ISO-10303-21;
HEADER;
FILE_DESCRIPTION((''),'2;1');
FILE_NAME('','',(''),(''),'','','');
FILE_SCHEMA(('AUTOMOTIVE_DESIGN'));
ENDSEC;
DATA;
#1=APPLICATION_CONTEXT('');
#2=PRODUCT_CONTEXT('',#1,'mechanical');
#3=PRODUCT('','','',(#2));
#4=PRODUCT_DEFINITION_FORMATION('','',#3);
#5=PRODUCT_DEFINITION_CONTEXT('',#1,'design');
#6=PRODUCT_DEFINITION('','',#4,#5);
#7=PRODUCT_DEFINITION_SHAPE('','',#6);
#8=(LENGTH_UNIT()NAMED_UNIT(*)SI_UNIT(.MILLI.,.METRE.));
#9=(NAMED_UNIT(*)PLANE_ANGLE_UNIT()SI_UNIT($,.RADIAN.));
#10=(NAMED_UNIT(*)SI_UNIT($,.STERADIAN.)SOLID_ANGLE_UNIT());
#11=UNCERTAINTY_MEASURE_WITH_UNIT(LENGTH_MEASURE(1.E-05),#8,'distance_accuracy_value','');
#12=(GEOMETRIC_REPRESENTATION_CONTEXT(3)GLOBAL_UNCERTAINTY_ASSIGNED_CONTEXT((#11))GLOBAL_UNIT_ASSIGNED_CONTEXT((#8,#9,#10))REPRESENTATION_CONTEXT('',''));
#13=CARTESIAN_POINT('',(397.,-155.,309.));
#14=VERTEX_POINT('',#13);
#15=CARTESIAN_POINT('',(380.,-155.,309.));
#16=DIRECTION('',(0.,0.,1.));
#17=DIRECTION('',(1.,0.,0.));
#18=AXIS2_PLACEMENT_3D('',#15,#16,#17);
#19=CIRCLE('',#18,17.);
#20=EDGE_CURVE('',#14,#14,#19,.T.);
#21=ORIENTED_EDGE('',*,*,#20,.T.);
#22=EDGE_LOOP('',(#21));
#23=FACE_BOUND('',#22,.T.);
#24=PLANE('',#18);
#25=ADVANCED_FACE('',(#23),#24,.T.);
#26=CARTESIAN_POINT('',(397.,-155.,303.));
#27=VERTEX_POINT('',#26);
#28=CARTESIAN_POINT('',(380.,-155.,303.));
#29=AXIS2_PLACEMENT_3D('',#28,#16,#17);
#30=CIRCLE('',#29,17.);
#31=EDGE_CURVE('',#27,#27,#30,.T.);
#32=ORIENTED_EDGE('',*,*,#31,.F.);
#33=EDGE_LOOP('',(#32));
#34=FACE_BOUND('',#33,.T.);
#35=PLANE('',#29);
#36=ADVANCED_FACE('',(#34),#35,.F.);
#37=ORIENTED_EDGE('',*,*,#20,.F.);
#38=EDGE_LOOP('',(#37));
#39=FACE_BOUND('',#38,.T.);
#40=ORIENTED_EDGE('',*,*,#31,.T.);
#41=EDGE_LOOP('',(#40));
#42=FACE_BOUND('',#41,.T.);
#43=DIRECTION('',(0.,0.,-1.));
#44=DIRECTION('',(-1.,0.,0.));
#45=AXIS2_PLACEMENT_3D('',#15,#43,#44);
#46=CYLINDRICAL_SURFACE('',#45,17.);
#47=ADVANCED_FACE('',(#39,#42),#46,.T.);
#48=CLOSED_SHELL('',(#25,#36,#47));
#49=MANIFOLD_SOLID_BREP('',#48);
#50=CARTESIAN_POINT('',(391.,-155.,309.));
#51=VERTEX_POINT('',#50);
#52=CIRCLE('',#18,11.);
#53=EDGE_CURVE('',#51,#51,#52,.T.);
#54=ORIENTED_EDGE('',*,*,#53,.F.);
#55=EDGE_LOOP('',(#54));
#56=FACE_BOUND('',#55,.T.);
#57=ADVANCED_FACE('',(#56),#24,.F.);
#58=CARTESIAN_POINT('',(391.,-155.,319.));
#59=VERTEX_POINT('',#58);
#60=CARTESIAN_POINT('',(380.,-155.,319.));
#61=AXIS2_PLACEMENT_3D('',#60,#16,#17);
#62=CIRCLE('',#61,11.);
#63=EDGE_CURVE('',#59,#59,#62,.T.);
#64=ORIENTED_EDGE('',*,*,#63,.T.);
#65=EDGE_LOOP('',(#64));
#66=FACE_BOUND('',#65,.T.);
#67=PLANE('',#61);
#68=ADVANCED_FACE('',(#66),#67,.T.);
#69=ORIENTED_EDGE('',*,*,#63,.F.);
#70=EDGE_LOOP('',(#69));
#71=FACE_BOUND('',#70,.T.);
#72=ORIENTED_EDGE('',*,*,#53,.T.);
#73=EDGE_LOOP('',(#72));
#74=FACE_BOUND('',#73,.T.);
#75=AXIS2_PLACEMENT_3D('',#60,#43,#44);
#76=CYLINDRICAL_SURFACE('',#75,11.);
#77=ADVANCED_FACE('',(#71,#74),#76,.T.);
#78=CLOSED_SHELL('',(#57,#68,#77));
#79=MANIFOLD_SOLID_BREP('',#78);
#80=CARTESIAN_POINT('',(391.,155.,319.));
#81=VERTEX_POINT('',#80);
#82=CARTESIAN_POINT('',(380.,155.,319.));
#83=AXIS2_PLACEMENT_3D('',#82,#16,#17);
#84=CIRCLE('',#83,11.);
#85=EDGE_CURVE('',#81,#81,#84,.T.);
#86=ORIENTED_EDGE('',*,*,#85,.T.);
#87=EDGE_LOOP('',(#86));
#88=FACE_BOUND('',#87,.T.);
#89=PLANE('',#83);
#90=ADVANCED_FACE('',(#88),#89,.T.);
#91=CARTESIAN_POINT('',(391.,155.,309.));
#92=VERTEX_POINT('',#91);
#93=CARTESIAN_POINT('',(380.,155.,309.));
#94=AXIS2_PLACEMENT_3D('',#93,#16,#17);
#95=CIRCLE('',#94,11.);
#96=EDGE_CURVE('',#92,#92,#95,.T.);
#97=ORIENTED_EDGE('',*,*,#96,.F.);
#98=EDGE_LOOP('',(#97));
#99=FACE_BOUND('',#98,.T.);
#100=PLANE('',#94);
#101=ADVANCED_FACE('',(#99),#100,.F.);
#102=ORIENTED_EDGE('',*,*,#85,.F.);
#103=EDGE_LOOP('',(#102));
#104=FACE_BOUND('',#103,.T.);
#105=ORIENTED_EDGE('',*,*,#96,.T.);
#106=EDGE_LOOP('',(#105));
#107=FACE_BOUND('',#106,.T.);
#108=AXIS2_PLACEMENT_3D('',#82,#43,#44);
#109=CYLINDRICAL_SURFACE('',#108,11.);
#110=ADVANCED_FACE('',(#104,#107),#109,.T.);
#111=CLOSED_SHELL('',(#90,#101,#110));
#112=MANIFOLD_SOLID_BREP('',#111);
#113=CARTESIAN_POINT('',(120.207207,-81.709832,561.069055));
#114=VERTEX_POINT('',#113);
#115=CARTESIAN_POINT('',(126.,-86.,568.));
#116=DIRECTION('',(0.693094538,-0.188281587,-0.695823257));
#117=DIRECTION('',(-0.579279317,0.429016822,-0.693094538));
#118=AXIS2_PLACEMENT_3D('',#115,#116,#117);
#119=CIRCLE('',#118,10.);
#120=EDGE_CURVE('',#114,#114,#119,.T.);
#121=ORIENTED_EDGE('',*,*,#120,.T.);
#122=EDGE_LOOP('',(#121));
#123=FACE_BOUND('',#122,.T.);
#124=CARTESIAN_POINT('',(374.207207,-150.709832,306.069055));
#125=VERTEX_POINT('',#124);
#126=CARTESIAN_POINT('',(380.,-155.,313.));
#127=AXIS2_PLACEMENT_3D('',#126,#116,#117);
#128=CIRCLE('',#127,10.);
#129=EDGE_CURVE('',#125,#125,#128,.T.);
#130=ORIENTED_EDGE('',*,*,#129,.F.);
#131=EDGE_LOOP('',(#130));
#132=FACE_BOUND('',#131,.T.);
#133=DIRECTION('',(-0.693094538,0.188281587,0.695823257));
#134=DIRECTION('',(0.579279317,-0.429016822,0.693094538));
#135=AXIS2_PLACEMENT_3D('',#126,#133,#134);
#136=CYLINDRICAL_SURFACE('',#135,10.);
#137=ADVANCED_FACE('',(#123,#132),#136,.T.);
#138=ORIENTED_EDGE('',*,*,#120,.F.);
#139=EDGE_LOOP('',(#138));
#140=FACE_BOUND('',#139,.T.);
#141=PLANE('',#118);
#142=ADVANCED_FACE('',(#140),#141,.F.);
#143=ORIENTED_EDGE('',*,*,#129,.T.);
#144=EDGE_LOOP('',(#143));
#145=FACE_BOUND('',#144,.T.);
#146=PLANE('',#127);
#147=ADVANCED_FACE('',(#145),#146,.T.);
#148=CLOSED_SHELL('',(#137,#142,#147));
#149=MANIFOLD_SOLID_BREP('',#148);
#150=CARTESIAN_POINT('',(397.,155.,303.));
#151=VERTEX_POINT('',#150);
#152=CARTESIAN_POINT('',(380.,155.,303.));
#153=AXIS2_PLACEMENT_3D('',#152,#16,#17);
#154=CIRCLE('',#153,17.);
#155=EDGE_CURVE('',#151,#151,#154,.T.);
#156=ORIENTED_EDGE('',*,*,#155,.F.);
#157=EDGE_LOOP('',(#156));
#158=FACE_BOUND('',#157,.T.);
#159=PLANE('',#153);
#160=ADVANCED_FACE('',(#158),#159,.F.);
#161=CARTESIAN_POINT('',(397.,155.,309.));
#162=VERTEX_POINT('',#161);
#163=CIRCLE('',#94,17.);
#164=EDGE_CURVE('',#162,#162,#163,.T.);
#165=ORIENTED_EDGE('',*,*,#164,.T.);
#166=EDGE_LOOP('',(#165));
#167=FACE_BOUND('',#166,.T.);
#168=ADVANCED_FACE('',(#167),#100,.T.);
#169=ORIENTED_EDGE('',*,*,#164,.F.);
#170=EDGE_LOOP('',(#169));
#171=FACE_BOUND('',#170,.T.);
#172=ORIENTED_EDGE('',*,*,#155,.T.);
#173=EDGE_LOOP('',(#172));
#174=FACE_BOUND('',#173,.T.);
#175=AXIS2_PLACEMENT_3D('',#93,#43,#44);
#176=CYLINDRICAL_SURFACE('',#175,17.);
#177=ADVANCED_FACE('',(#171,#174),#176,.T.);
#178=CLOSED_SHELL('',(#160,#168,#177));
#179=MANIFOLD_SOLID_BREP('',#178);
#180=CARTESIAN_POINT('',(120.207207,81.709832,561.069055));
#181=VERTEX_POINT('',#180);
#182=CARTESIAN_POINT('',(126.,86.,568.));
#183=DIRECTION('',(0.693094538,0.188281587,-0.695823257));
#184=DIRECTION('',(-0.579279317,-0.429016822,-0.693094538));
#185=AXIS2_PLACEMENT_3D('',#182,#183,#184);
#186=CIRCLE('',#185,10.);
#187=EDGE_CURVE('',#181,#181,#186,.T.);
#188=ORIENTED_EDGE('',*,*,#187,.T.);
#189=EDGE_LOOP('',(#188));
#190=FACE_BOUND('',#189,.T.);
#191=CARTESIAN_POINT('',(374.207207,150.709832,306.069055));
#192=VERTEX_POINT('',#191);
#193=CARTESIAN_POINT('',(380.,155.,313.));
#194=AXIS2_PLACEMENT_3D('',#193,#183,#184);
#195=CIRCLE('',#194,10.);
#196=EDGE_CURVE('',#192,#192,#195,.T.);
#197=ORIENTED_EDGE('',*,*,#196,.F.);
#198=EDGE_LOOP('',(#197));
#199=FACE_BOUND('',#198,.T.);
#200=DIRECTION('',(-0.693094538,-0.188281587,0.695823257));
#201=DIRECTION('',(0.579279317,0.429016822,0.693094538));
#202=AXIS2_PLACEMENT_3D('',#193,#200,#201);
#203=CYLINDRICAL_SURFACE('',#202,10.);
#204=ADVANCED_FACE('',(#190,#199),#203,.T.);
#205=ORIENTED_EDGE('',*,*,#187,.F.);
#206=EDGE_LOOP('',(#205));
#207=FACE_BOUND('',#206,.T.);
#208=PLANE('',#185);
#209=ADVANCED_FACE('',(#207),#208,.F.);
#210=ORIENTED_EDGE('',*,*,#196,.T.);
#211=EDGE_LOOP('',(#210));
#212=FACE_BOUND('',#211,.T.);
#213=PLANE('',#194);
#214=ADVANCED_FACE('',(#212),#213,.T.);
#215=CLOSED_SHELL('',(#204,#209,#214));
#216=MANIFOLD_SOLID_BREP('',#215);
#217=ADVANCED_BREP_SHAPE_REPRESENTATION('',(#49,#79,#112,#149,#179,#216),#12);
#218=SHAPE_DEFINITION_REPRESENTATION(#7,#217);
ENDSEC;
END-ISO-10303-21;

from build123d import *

# Parameters (mm, degrees)
PIPE_SKETCH_1_R     = 10
PIPE_1_DEPTH        = 366.472372765
PIPE_ROTATE_1_ANGLE = 164.859016165
PIPE_ROTATE_2_ANGLE = 43.875570355
PIPE_ROTATE_3_ANGLE = 143.476188317
EXTRUDE_START       = 303
EXTRUDE_SKETCH_1_R  = 17
EXTRUDE_1_DEPTH     = 6
EXTRUDE_START_2     = 309
EXTRUDE_SKETCH_2_R  = 11
EXTRUDE_2_DEPTH     = 10
PIPE_SKETCH_2_R     = 10
PIPE_2_DEPTH        = 366.472372765
PIPE_ROTATE_4_ANGLE = 164.859016165
PIPE_ROTATE_5_ANGLE = 43.875570355
PIPE_ROTATE_6_ANGLE = 143.476188317
EXTRUDE_SKETCH_3_R  = 17
EXTRUDE_3_DEPTH     = 6
EXTRUDE_SKETCH_4_R  = 11
EXTRUDE_4_DEPTH     = 10


with BuildPart() as part:
    # Pipe sketch 1 → Pipe 1 (new body)
    with BuildSketch(Plane.XY):
        Circle(PIPE_SKETCH_1_R)
    extrude(amount=PIPE_1_DEPTH)


with BuildPart() as part_1:
    # Pipe rotate 1: moved
    add(part.part.rotate(Axis((0, 0, 0), (-1, 0, 0)), PIPE_ROTATE_1_ANGLE))


with BuildPart() as part_2:
    # Pipe rotate 2: moved
    add(part_1.part.rotate(Axis((0, 0, 0), (0, 1, 0)), PIPE_ROTATE_2_ANGLE))


with BuildPart() as part_3:
    # Pipe rotate 3: moved
    add(part_2.part.rotate(Axis((0, 0, 0), (0, 0, -1)), PIPE_ROTATE_3_ANGLE))


with BuildPart() as part_4:
    # Pipe place 1: moved
    add(part_3.part.moved(Location((126, 86, 568))))


with BuildPart() as body_2:
    # Extrude sketch 1 → Extrude 1 (new body)
    with BuildSketch(Plane.XY.offset(EXTRUDE_START)):
        with Locations((380, 155)):
            Circle(EXTRUDE_SKETCH_1_R)
    extrude(amount=EXTRUDE_1_DEPTH)


with BuildPart() as body_3:
    # Extrude sketch 2 → Extrude 2 (new body)
    with BuildSketch(Plane.XY.offset(EXTRUDE_START_2)):
        with Locations((380, 155)):
            Circle(EXTRUDE_SKETCH_2_R)
    extrude(amount=EXTRUDE_2_DEPTH)


with BuildPart() as body_4:
    # Pipe sketch 2 → Pipe 2 (new body)
    with BuildSketch(Plane.XY):
        Circle(PIPE_SKETCH_2_R)
    extrude(amount=PIPE_2_DEPTH)


with BuildPart() as body_4_1:
    # Pipe rotate 4: moved
    add(body_4.part.rotate(Axis((0, 0, 0), (1, 0, 0)), PIPE_ROTATE_4_ANGLE))


with BuildPart() as body_4_2:
    # Pipe rotate 5: moved
    add(body_4_1.part.rotate(Axis((0, 0, 0), (0, 1, 0)), PIPE_ROTATE_5_ANGLE))


with BuildPart() as body_4_3:
    # Pipe rotate 6: moved
    add(body_4_2.part.rotate(Axis((0, 0, 0), (0, 0, 1)), PIPE_ROTATE_6_ANGLE))


with BuildPart() as body_4_4:
    # Pipe place 2: moved
    add(body_4_3.part.moved(Location((126, -86, 568))))


with BuildPart() as body_5:
    # Extrude sketch 3 → Extrude 3 (new body)
    with BuildSketch(Plane.XY.offset(EXTRUDE_START)):
        with Locations((380, -155)):
            Circle(EXTRUDE_SKETCH_3_R)
    extrude(amount=EXTRUDE_3_DEPTH)


with BuildPart() as body_6:
    # Extrude sketch 4 → Extrude 4 (new body)
    with BuildSketch(Plane.XY.offset(EXTRUDE_START_2)):
        with Locations((380, -155)):
            Circle(EXTRUDE_SKETCH_4_R)
    extrude(amount=EXTRUDE_4_DEPTH)


solid = Compound([part_4.part, body_2.part, body_3.part, body_4_4.part, body_5.part, body_6.part])
